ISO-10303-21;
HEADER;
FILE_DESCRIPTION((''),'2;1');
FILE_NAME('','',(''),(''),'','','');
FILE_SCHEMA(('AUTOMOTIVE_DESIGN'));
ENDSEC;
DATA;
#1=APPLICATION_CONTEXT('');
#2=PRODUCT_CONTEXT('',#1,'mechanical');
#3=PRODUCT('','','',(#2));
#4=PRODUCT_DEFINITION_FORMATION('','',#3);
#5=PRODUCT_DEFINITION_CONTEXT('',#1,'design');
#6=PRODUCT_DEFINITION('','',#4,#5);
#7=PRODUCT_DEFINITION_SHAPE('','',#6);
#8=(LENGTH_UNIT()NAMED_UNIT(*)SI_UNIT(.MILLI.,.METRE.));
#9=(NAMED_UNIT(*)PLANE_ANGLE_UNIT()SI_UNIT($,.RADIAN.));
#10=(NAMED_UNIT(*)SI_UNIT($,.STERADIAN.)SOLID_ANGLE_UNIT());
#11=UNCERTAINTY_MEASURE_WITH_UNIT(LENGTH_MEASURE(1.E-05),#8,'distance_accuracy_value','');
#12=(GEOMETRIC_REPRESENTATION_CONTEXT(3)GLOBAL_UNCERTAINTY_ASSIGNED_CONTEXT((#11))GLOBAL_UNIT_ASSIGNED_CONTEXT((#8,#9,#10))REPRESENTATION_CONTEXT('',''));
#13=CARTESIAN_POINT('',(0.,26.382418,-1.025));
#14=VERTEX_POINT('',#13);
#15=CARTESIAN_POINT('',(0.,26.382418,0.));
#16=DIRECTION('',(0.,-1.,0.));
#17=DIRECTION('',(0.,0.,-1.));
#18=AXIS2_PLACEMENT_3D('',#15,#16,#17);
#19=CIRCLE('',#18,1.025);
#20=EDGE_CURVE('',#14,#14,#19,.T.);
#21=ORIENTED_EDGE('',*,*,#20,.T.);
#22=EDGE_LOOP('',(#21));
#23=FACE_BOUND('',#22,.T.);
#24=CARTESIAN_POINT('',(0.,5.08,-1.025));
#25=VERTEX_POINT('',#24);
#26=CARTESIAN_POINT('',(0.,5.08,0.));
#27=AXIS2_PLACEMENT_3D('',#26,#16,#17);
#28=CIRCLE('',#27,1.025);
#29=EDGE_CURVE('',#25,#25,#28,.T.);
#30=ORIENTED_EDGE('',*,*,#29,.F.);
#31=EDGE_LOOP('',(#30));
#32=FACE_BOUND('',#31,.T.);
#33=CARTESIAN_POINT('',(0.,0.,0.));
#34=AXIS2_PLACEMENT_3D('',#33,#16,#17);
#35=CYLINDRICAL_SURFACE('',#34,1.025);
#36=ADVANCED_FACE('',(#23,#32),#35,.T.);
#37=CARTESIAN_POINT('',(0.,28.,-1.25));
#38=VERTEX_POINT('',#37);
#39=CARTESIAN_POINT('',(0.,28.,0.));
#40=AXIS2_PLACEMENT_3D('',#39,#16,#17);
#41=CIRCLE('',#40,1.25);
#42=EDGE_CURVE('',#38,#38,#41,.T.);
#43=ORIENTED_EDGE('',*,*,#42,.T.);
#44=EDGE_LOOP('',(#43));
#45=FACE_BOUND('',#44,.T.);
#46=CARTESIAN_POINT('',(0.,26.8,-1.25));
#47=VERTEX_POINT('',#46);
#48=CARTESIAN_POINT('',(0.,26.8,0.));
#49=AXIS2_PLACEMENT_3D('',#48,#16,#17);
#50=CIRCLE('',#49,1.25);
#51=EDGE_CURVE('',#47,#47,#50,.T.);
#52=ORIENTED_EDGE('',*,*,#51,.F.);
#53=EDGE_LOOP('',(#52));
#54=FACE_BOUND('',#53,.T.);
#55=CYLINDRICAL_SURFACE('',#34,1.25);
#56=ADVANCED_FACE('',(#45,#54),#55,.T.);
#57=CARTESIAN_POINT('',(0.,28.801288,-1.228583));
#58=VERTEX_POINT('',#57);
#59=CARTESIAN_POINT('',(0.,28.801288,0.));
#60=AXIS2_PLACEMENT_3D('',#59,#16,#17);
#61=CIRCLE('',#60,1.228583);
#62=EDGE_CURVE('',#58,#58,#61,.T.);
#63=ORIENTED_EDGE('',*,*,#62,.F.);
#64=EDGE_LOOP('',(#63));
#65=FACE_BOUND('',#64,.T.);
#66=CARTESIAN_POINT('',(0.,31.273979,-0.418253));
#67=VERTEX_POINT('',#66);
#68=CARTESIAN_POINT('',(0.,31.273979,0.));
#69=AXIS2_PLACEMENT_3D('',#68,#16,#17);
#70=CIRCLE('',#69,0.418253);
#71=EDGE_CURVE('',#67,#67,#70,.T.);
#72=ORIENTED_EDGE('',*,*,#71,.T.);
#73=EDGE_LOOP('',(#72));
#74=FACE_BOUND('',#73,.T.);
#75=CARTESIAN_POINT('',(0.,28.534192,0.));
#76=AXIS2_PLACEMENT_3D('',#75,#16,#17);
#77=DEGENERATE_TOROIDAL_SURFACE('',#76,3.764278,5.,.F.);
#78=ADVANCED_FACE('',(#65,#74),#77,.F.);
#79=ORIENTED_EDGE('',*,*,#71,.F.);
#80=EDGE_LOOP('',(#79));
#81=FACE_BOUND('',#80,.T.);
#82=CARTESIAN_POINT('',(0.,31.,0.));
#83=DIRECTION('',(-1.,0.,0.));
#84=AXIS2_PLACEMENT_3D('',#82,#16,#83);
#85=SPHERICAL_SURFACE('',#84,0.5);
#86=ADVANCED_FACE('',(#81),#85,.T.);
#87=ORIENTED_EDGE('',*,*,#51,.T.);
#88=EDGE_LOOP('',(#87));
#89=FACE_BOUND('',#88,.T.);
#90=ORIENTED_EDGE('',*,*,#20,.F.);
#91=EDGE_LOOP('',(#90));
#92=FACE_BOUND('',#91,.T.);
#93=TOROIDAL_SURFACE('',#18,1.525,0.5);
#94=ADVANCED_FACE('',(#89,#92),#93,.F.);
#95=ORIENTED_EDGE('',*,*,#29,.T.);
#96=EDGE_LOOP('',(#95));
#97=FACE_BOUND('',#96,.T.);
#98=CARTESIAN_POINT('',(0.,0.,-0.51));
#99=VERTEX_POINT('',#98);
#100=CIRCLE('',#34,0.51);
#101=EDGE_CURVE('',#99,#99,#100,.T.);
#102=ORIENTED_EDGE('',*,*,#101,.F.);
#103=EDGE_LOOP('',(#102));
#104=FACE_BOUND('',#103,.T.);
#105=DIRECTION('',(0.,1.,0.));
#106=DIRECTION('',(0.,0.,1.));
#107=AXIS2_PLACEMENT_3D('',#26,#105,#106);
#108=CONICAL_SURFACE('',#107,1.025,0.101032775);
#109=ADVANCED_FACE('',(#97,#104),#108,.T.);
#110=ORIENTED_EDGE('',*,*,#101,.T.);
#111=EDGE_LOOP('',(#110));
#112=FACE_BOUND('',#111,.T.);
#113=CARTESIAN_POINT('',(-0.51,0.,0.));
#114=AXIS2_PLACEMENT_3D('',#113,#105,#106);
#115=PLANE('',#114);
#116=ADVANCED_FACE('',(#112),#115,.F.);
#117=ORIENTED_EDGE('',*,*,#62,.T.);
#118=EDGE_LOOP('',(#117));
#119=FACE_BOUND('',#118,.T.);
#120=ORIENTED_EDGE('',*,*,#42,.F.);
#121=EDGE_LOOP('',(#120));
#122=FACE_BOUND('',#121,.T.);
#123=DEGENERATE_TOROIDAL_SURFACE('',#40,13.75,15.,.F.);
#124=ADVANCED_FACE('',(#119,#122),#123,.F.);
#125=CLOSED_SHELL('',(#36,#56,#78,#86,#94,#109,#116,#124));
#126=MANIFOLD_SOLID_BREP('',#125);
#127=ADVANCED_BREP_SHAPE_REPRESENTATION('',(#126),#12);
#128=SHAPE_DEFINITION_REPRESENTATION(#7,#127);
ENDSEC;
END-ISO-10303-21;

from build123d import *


with BuildPart() as part:
    # Esboço1 → Revolução1 (revolve)
    with BuildSketch(Plane.XY, mode=Mode.PRIVATE) as revolu_o1_sk:
        with BuildLine():
            Line((-1.025, 5.08), (-0.51, 0))
            Line((-0.51, 0), (0, 0))
            Line((0, 0), (0, 31.5))
            ThreePointArc((0, 31.5), (-0.237708503, 31.439880288), (-0.418253138, 31.273978671))
            ThreePointArc((-0.418253138, 31.273978671), (-0.987090573, 30.091270748), (-1.228582631, 28.801287941))
            ThreePointArc((-1.228582631, 28.801287941), (-1.244644702, 28.400787059), (-1.25, 28))
            Line((-1.25, 28), (-1.25, 26.8))
            ThreePointArc((-1.25, 26.8), (-1.084829578, 26.619588497), (-1.025, 26.382417673))
            Line((-1.025, 26.382417673), (-1.025, 5.08))
        make_face()
    revolve(revolu_o1_sk.sketch.rotate(Axis((0, 0, 0), (0, 1, 0)), 270), axis=Axis((0, 0, 0), (0, 1, 0)))


solid = part.part
